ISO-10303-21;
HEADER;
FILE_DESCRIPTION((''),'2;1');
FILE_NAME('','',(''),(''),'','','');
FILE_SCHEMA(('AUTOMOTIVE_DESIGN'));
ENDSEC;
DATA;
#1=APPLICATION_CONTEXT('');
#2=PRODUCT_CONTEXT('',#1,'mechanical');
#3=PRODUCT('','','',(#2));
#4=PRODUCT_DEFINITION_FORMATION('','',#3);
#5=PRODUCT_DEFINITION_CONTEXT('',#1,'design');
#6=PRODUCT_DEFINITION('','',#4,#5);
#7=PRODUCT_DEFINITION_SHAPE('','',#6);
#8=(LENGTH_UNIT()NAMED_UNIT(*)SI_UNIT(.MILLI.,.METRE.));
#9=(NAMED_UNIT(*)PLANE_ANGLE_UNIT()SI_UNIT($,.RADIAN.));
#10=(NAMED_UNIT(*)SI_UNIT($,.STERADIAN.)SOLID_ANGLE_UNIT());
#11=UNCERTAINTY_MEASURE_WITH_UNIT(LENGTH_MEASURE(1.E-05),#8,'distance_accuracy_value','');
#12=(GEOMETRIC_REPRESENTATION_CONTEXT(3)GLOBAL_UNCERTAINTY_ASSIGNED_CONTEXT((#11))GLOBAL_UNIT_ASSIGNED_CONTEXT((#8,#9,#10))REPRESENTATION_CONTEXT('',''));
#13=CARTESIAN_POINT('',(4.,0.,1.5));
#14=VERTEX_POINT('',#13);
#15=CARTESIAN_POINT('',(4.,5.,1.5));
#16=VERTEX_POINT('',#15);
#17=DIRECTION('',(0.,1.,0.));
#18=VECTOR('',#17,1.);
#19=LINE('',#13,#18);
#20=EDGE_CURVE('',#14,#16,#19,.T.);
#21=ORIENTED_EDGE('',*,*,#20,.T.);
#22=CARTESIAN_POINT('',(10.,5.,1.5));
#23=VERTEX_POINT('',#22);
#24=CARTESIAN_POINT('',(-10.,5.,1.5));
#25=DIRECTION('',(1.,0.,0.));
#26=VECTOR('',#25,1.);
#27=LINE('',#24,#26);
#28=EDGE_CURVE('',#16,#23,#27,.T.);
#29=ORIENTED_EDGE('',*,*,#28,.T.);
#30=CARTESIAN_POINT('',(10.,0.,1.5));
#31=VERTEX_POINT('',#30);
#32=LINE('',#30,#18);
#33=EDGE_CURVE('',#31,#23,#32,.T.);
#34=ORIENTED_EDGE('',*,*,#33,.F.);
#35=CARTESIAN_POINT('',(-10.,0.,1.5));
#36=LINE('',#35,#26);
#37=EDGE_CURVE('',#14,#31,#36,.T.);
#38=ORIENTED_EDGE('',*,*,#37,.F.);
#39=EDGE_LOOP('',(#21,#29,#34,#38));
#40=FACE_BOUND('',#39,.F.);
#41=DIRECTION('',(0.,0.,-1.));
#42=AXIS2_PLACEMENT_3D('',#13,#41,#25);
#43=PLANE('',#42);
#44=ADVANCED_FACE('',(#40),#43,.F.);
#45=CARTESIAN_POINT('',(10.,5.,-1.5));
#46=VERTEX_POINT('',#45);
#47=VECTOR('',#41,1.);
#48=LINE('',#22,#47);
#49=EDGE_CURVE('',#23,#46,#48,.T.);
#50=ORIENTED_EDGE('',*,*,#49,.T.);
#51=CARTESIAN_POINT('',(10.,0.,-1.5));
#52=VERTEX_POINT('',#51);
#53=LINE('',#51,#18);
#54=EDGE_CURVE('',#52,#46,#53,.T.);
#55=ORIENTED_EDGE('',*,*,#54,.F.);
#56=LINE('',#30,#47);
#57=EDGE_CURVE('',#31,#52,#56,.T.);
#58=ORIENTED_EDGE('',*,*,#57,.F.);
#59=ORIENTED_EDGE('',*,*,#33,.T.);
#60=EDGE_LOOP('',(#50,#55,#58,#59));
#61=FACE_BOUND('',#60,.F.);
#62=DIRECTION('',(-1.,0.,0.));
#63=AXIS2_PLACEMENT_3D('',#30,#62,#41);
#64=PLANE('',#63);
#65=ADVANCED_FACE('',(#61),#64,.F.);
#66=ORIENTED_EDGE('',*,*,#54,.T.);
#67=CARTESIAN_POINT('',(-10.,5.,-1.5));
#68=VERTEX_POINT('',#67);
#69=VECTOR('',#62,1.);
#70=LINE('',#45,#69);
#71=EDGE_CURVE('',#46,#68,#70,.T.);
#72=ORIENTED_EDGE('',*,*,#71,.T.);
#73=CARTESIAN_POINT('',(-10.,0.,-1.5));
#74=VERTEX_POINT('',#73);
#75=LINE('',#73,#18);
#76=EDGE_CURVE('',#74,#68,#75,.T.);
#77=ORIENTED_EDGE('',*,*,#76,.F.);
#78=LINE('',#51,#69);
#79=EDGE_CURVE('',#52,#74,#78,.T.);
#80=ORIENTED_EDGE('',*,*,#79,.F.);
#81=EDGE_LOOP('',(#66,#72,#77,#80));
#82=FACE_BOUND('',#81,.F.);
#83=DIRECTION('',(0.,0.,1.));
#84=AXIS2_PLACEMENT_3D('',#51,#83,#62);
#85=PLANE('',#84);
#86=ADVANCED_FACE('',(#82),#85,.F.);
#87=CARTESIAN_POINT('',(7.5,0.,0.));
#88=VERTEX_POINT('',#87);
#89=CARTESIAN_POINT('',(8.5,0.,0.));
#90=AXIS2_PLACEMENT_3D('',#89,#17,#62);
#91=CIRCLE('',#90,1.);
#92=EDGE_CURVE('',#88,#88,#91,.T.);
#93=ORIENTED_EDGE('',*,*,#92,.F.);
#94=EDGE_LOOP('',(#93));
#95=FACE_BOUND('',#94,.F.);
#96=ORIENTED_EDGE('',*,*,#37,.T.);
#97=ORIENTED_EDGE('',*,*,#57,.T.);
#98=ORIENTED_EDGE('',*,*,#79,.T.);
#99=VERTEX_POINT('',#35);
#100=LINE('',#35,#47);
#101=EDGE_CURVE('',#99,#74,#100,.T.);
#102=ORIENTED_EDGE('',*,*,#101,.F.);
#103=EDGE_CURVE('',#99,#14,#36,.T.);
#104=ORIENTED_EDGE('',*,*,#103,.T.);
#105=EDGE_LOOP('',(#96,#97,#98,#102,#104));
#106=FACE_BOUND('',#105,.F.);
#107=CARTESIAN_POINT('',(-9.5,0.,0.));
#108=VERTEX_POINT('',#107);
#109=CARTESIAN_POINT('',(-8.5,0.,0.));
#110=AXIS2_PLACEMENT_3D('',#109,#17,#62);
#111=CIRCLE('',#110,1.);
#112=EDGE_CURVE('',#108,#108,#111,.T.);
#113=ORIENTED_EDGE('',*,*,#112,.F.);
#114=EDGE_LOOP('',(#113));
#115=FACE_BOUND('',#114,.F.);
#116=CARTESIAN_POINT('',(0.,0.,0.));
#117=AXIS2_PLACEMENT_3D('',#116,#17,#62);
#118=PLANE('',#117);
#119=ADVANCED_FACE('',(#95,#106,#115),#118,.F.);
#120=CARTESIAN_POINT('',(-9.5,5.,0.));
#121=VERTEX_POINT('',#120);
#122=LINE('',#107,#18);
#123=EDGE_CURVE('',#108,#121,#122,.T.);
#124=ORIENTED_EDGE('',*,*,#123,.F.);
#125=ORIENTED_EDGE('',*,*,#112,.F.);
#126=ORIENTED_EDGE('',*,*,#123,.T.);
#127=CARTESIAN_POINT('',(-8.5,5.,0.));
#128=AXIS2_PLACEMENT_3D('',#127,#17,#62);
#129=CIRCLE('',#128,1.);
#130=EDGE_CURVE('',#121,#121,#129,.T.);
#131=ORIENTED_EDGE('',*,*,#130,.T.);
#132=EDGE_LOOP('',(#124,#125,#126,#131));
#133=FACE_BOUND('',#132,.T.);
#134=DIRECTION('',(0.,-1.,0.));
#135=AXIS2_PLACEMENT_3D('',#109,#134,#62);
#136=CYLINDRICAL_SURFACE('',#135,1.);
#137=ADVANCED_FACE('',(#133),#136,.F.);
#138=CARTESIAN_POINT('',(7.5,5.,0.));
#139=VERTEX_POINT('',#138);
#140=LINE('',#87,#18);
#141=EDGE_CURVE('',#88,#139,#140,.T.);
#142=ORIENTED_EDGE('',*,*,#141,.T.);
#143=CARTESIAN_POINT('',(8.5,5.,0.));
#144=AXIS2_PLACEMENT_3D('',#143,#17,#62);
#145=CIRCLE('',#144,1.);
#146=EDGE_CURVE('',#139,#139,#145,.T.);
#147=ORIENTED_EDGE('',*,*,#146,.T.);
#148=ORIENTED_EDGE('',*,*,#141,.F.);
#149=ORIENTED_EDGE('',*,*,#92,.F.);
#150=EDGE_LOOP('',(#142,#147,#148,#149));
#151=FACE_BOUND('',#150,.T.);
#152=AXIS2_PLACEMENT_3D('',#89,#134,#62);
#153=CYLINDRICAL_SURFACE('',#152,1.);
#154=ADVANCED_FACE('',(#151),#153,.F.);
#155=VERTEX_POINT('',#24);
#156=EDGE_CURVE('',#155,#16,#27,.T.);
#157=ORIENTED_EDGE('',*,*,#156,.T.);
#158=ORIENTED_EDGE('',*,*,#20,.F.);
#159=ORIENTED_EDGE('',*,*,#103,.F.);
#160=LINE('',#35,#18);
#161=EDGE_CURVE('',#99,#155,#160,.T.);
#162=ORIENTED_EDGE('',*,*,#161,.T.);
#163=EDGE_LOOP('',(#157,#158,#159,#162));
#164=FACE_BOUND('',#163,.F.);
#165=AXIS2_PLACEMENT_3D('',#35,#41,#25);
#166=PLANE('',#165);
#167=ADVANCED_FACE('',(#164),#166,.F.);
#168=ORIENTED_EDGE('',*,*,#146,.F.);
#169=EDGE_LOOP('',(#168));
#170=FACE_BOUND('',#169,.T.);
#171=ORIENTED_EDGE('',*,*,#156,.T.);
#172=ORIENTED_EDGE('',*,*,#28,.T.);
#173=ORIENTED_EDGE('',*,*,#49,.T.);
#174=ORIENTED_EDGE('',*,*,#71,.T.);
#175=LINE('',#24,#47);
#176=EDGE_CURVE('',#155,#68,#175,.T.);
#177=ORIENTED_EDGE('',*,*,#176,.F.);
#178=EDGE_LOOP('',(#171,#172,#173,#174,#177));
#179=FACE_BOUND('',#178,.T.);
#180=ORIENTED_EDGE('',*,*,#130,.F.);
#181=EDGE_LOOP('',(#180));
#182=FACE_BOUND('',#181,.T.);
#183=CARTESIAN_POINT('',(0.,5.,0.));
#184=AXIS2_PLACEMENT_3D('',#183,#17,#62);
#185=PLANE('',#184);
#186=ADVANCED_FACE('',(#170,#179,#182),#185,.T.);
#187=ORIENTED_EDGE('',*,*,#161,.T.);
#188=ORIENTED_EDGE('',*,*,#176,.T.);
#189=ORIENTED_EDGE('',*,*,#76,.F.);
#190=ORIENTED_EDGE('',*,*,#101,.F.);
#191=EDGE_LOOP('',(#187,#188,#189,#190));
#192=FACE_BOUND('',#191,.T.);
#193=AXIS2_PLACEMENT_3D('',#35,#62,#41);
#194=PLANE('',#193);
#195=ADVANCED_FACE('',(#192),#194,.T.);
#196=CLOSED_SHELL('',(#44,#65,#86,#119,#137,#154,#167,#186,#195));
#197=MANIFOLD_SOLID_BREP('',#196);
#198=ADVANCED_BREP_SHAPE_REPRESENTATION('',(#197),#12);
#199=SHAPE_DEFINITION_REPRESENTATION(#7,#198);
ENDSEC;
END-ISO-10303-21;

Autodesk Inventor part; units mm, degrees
ref_plane "YZ Plane" through (0, 0, 0) normal (1, 0, 0) x (0, 1, 0)
ref_plane "XZ Plane" through (0, 0, 0) normal (0, 1, 0) x (-1, 0, 0)
ref_plane "XY Plane" through (0, 0, 0) normal (0, 0, 1) x (1, 0, 0)
sketch "Sketch1" plane through (0, 0, 0) normal (0, 1, 0) x (-1, 0, 0)
  line L0 (-10, -1.5) -> (10, -1.5)
  line L1 (10, 3.5) -> (10, 3.5)
  line L2 (10, 1.5) -> (-10, 1.5)
  line L3 (-10, 3.5) -> (-10, 3.5)
  line L4 (-10, -1.5) -> (10, 1.5) construction
  line L5 (10, -1.5) -> (-10, 1.5) construction
  circle A0 centre (8.5, 0) radius 1
  line L6 (-10, 1.5) -> (-10, -1.5)
  line L7 (10, 1.5) -> (10, -1.5)
  line L8 (-10, 1.5) -> (-4, 1.5)
  circle A1 centre (-8.5, 0) radius 1
  point P0 (0, 0)
  dimension "d0" = 3
  dimension "d1" = 20
  dimension "d3" = 2
  dimension "d6" = 1.5
  dimension "d8" = 1.5
  dimension "d21" = 2
  dimension "d22" = 1.5
  dimension "d23" = 1.5
extrude "Extrusion1" add sketch "Sketch1" along normal blind 5
properties part number "link"
